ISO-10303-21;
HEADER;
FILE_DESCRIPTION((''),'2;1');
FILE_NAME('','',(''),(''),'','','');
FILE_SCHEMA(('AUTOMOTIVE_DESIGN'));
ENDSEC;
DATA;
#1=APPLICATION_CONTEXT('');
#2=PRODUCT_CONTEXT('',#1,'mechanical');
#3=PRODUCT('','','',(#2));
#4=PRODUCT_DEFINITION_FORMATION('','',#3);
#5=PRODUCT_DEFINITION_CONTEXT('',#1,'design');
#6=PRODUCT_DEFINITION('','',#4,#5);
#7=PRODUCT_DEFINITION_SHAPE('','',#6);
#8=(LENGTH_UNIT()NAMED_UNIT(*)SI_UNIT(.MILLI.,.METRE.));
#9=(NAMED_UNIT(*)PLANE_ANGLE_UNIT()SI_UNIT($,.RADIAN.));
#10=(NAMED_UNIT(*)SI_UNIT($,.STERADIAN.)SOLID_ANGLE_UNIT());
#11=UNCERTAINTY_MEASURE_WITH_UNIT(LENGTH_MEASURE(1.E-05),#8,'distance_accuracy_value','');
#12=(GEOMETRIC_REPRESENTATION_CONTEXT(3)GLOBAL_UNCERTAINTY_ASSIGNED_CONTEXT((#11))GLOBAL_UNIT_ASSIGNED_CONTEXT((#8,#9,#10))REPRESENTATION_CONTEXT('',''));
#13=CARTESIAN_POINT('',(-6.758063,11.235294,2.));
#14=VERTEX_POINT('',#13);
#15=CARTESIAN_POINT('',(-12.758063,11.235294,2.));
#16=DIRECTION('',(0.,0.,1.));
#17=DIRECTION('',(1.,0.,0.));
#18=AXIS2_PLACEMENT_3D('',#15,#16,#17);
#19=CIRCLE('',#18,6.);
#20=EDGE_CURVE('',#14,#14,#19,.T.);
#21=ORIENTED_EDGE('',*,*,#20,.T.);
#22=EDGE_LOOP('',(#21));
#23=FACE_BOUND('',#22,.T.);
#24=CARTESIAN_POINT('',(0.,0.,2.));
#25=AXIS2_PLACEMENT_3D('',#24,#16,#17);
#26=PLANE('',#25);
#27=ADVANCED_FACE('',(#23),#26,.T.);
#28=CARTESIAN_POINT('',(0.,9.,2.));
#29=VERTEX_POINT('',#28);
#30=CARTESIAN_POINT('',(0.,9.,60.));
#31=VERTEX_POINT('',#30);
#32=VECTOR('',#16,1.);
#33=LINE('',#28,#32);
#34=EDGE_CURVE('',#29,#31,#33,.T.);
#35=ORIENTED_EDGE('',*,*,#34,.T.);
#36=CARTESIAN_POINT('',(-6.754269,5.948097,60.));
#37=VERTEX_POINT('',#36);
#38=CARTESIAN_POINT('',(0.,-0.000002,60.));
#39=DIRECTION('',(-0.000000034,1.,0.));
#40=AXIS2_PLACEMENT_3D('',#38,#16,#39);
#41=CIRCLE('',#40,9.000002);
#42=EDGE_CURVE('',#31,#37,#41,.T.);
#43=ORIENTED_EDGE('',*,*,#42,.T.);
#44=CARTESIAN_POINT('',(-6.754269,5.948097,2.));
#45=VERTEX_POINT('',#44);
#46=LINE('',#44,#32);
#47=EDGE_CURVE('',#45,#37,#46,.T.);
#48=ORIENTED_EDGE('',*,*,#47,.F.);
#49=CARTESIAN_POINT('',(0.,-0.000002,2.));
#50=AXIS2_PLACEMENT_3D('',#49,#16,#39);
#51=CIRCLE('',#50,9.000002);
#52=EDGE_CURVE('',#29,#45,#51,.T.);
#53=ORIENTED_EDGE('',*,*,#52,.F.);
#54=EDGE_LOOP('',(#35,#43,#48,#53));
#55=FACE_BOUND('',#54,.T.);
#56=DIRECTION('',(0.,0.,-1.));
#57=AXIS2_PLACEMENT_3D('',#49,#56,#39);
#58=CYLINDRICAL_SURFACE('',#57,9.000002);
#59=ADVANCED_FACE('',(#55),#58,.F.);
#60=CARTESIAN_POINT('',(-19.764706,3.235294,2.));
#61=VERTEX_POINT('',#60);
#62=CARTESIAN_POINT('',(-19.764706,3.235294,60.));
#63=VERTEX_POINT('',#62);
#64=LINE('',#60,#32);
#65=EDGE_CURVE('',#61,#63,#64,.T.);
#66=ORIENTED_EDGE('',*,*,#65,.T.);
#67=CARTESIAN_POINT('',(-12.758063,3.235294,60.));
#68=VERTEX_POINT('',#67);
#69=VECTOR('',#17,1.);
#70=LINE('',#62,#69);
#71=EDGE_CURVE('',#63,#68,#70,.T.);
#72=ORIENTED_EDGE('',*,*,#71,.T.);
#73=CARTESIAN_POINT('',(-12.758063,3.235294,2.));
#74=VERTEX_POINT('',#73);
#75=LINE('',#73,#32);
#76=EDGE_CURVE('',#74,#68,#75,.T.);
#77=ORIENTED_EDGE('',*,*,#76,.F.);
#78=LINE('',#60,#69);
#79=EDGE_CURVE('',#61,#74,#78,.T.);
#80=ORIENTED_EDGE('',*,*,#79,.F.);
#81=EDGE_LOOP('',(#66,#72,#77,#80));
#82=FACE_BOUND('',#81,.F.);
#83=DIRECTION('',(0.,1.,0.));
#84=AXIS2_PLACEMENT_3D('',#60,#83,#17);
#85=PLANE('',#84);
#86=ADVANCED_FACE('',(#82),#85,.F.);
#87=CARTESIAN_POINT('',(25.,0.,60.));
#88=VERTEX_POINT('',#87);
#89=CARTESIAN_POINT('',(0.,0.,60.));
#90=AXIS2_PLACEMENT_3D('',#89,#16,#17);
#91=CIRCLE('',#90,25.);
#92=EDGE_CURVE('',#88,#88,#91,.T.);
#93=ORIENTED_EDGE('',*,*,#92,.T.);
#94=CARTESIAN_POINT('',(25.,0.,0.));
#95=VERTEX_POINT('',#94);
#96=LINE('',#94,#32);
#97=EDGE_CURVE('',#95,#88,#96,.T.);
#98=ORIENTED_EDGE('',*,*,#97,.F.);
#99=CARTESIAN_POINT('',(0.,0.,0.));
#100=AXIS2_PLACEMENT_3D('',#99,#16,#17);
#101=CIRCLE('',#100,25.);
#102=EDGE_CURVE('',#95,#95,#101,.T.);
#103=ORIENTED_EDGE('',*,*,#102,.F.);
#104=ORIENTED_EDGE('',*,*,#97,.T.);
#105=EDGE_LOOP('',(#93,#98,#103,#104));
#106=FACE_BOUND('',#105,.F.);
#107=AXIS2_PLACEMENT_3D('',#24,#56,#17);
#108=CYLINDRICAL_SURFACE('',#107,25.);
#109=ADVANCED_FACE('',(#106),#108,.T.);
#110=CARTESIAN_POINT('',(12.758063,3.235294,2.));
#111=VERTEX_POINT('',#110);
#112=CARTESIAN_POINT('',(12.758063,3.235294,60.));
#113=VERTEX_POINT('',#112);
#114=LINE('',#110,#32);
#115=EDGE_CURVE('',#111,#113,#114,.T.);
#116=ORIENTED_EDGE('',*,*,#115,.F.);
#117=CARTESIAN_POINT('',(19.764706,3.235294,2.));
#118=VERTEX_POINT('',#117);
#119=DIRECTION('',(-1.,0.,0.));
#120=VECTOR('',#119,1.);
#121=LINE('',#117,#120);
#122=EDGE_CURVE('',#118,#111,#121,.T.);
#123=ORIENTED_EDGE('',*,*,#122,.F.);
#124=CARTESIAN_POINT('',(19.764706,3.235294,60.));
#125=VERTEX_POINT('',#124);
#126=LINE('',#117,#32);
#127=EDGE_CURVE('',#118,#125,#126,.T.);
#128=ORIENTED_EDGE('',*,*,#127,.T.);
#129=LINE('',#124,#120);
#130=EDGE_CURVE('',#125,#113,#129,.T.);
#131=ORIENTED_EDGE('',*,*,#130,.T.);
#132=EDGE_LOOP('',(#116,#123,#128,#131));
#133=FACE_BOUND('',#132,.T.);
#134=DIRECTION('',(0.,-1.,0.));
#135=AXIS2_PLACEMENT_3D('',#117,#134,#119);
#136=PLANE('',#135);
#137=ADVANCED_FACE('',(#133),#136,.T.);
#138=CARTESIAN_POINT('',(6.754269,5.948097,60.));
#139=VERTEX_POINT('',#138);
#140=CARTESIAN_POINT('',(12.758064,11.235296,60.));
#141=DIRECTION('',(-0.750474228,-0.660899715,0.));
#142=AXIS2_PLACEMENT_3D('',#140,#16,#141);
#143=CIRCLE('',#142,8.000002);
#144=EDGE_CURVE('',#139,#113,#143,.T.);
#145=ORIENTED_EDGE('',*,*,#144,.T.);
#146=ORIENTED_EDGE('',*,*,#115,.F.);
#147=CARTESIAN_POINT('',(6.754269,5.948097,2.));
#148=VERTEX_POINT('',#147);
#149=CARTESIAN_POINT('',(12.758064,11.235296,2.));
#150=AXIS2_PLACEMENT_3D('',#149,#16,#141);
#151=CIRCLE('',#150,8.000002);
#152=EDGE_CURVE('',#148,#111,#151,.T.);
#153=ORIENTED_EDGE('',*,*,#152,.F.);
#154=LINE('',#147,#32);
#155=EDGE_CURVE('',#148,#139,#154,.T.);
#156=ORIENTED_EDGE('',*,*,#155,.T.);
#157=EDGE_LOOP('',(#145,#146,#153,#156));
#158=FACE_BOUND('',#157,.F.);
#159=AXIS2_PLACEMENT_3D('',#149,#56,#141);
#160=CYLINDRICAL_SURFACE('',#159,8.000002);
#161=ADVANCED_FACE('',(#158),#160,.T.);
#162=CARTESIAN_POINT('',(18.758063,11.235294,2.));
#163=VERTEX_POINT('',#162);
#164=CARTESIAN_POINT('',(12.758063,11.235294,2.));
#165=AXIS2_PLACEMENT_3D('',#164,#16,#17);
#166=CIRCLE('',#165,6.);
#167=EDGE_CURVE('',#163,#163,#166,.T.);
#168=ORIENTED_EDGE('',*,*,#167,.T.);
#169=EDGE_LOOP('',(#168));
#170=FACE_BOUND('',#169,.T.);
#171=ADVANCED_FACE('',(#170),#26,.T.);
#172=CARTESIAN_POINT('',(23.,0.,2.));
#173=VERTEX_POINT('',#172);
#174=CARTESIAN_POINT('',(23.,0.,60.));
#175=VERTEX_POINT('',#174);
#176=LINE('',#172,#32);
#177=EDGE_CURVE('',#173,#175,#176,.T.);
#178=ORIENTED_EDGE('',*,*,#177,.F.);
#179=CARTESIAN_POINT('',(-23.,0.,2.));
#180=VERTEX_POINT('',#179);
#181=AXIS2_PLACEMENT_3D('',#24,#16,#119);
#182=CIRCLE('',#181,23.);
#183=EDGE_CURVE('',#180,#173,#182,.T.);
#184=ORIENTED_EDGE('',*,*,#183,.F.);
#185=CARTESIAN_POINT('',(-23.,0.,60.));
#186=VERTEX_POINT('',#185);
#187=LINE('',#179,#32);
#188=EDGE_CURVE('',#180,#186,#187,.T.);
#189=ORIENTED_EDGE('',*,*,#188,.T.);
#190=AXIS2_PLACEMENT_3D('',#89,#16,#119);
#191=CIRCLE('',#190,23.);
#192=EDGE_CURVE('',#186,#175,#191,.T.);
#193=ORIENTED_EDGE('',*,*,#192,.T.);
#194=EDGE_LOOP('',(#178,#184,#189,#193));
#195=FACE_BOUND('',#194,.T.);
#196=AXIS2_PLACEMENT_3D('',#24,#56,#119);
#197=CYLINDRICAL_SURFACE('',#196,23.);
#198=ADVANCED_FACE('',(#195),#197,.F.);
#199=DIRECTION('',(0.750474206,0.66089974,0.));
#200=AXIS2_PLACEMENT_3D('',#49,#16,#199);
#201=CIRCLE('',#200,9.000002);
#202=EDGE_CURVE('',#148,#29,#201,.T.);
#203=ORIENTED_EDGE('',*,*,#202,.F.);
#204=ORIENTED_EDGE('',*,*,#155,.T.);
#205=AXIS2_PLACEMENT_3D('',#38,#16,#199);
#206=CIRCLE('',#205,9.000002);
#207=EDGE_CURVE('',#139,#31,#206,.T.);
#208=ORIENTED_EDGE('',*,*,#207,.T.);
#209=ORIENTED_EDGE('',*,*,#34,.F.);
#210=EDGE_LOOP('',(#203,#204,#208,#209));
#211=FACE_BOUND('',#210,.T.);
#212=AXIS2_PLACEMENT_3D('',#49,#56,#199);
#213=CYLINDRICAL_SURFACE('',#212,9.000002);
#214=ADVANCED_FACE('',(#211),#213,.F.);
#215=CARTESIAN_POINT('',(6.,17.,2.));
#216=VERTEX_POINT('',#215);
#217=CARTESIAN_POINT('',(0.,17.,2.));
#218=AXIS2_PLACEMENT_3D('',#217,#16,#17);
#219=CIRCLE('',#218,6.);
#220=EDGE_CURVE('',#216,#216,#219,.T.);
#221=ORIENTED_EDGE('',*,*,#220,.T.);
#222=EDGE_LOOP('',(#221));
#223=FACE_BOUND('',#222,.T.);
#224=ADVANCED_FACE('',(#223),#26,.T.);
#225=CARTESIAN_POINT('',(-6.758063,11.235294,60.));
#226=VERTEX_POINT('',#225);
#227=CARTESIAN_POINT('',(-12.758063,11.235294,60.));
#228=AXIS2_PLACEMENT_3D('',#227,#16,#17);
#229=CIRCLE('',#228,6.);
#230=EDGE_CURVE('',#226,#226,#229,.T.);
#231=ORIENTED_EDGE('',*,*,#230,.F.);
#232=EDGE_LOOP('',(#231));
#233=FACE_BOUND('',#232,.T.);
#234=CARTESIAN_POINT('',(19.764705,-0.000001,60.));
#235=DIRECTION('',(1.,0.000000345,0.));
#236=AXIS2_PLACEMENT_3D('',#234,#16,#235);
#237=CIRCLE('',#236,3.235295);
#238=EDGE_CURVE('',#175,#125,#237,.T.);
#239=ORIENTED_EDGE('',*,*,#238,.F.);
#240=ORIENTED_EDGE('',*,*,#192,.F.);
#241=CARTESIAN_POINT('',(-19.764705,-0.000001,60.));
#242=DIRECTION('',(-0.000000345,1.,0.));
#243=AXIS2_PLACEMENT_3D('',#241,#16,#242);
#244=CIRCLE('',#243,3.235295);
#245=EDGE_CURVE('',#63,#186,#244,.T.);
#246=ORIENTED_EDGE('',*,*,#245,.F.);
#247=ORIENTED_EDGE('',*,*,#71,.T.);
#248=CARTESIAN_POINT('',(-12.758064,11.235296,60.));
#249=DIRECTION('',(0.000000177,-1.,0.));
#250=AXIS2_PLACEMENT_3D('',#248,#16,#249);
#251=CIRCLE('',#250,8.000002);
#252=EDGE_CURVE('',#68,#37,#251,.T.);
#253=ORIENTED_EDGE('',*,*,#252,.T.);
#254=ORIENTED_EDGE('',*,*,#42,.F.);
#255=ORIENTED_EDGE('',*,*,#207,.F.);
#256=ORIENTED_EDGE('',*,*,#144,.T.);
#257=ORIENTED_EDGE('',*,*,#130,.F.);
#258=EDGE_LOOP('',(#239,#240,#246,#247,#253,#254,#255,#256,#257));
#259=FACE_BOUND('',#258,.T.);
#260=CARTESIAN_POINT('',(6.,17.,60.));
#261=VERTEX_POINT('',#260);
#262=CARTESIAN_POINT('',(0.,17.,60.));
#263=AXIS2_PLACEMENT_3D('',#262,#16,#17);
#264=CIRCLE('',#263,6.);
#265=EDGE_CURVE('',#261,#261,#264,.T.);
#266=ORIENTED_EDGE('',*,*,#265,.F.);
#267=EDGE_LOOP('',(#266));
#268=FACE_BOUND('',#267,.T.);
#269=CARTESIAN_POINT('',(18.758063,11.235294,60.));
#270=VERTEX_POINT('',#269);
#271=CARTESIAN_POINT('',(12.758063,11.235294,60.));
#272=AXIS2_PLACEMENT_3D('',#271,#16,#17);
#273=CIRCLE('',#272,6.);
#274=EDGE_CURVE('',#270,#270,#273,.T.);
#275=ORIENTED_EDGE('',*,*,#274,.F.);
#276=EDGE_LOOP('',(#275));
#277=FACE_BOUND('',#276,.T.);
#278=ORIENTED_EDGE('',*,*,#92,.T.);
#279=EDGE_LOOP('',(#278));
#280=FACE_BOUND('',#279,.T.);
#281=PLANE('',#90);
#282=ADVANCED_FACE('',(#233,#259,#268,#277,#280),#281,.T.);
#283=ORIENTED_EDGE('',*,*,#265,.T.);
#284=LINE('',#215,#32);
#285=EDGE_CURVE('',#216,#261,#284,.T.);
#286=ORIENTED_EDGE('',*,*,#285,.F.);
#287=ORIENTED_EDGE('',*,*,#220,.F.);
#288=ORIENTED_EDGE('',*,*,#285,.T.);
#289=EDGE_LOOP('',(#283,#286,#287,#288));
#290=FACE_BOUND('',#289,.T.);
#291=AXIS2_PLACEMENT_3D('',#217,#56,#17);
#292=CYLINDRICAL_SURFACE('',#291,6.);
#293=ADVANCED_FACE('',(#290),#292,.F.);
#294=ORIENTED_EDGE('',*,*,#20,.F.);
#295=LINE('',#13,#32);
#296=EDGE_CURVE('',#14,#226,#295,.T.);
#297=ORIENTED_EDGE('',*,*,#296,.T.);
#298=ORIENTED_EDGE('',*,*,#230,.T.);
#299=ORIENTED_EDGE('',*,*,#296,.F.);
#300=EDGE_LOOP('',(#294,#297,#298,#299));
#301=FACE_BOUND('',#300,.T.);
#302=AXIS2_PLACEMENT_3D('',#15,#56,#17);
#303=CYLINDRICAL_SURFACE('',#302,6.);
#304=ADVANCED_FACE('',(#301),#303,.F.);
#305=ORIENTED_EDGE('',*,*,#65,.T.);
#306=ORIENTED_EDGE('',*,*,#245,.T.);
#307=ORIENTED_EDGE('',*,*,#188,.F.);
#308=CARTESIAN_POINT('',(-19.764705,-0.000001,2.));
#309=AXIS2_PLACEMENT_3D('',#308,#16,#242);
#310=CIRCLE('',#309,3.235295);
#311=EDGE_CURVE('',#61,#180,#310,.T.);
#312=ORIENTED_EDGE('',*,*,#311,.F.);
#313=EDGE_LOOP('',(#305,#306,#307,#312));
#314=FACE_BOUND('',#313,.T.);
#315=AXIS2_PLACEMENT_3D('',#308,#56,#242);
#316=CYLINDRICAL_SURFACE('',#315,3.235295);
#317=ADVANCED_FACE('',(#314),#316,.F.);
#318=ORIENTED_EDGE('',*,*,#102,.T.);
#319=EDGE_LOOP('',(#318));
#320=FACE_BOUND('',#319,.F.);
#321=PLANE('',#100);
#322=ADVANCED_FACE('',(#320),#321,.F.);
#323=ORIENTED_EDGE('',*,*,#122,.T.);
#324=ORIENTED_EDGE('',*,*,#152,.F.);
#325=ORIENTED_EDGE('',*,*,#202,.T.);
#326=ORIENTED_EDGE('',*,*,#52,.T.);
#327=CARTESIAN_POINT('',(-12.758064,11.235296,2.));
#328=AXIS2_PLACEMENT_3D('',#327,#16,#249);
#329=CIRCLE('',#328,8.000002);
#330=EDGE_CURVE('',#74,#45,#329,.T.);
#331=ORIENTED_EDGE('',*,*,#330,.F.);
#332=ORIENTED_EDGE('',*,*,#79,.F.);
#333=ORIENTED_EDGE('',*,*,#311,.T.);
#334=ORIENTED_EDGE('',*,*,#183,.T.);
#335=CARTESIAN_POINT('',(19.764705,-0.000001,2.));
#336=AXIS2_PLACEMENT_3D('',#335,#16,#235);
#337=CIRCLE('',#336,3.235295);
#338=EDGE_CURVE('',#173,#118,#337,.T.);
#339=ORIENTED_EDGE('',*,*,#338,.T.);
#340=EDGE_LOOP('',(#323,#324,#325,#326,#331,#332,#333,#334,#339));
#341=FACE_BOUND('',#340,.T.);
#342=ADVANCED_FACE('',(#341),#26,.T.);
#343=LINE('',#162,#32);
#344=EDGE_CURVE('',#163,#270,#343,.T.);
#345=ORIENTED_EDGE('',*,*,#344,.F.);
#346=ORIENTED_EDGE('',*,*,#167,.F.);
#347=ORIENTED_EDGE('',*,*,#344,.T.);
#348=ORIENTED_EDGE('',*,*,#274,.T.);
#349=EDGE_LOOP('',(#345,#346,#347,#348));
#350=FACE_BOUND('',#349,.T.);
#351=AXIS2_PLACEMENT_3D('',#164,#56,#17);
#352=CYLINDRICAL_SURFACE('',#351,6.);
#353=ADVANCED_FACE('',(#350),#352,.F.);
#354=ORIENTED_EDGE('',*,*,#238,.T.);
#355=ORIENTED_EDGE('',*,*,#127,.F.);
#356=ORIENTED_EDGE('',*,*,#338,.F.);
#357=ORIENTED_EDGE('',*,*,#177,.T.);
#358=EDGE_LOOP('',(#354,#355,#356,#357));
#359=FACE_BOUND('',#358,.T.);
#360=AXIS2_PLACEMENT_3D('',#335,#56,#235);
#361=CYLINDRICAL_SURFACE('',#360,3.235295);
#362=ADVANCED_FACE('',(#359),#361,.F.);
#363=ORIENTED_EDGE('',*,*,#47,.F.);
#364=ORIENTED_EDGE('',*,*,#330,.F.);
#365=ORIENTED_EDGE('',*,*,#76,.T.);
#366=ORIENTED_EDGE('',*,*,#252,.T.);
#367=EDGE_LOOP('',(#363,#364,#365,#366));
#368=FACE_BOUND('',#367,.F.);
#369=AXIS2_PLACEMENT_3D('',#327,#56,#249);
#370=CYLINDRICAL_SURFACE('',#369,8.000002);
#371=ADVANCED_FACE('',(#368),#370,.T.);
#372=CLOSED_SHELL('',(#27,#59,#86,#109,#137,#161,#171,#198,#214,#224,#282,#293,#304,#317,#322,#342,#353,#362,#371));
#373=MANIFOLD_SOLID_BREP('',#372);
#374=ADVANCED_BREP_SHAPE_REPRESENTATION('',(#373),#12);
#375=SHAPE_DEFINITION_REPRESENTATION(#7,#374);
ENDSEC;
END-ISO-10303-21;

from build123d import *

# Parameters (mm, degrees)
SKETCH_R      = 25
PAD_DEPTH     = 2
SKETCH002_R   = 25
SKETCH002_R_2 = 6
PAD001_DEPTH  = 58


with BuildPart() as part:
    # Sketch → Pad (new body)
    with BuildSketch(Plane.XY):
        Circle(SKETCH_R)
    extrude(amount=PAD_DEPTH)

    # Sketch002 (on Face3 of Pad) → Pad001 (join)
    with BuildSketch(Plane.XY.offset(2)):
        Circle(SKETCH002_R)
        with Locations((0, 17)):
            Circle(SKETCH002_R_2, mode=Mode.SUBTRACT)
        with Locations((-12.758063, 11.235294)):
            Circle(SKETCH002_R_2, mode=Mode.SUBTRACT)
        with Locations((12.758063, 11.235294)):
            Circle(SKETCH002_R_2, mode=Mode.SUBTRACT)
        with BuildLine():
            ThreePointArc((-23, 0), (0, -23), (23, 0))
            ThreePointArc((23, 0), (22.052404, 2.287698), (19.764706, 3.235294))
            Line((19.764706, 3.235294), (12.758063, 3.235294))
            ThreePointArc((6.754269, 5.948097), (9.463945, 3.944973), (12.758063, 3.235294))
            ThreePointArc((6.754269, 5.948097), (3.705882, 8.201612), (0, 9))
            ThreePointArc((0, 9), (-3.705882, 8.201612), (-6.754269, 5.948097))
            ThreePointArc((-12.758063, 3.235294), (-9.463945, 3.944973), (-6.754269, 5.948097))
            Line((-19.764706, 3.235294), (-12.758063, 3.235294))
            ThreePointArc((-19.764706, 3.235294), (-22.052404, 2.287698), (-23, 0))
        make_face(mode=Mode.SUBTRACT)
    extrude(amount=PAD001_DEPTH)


solid = part.part
